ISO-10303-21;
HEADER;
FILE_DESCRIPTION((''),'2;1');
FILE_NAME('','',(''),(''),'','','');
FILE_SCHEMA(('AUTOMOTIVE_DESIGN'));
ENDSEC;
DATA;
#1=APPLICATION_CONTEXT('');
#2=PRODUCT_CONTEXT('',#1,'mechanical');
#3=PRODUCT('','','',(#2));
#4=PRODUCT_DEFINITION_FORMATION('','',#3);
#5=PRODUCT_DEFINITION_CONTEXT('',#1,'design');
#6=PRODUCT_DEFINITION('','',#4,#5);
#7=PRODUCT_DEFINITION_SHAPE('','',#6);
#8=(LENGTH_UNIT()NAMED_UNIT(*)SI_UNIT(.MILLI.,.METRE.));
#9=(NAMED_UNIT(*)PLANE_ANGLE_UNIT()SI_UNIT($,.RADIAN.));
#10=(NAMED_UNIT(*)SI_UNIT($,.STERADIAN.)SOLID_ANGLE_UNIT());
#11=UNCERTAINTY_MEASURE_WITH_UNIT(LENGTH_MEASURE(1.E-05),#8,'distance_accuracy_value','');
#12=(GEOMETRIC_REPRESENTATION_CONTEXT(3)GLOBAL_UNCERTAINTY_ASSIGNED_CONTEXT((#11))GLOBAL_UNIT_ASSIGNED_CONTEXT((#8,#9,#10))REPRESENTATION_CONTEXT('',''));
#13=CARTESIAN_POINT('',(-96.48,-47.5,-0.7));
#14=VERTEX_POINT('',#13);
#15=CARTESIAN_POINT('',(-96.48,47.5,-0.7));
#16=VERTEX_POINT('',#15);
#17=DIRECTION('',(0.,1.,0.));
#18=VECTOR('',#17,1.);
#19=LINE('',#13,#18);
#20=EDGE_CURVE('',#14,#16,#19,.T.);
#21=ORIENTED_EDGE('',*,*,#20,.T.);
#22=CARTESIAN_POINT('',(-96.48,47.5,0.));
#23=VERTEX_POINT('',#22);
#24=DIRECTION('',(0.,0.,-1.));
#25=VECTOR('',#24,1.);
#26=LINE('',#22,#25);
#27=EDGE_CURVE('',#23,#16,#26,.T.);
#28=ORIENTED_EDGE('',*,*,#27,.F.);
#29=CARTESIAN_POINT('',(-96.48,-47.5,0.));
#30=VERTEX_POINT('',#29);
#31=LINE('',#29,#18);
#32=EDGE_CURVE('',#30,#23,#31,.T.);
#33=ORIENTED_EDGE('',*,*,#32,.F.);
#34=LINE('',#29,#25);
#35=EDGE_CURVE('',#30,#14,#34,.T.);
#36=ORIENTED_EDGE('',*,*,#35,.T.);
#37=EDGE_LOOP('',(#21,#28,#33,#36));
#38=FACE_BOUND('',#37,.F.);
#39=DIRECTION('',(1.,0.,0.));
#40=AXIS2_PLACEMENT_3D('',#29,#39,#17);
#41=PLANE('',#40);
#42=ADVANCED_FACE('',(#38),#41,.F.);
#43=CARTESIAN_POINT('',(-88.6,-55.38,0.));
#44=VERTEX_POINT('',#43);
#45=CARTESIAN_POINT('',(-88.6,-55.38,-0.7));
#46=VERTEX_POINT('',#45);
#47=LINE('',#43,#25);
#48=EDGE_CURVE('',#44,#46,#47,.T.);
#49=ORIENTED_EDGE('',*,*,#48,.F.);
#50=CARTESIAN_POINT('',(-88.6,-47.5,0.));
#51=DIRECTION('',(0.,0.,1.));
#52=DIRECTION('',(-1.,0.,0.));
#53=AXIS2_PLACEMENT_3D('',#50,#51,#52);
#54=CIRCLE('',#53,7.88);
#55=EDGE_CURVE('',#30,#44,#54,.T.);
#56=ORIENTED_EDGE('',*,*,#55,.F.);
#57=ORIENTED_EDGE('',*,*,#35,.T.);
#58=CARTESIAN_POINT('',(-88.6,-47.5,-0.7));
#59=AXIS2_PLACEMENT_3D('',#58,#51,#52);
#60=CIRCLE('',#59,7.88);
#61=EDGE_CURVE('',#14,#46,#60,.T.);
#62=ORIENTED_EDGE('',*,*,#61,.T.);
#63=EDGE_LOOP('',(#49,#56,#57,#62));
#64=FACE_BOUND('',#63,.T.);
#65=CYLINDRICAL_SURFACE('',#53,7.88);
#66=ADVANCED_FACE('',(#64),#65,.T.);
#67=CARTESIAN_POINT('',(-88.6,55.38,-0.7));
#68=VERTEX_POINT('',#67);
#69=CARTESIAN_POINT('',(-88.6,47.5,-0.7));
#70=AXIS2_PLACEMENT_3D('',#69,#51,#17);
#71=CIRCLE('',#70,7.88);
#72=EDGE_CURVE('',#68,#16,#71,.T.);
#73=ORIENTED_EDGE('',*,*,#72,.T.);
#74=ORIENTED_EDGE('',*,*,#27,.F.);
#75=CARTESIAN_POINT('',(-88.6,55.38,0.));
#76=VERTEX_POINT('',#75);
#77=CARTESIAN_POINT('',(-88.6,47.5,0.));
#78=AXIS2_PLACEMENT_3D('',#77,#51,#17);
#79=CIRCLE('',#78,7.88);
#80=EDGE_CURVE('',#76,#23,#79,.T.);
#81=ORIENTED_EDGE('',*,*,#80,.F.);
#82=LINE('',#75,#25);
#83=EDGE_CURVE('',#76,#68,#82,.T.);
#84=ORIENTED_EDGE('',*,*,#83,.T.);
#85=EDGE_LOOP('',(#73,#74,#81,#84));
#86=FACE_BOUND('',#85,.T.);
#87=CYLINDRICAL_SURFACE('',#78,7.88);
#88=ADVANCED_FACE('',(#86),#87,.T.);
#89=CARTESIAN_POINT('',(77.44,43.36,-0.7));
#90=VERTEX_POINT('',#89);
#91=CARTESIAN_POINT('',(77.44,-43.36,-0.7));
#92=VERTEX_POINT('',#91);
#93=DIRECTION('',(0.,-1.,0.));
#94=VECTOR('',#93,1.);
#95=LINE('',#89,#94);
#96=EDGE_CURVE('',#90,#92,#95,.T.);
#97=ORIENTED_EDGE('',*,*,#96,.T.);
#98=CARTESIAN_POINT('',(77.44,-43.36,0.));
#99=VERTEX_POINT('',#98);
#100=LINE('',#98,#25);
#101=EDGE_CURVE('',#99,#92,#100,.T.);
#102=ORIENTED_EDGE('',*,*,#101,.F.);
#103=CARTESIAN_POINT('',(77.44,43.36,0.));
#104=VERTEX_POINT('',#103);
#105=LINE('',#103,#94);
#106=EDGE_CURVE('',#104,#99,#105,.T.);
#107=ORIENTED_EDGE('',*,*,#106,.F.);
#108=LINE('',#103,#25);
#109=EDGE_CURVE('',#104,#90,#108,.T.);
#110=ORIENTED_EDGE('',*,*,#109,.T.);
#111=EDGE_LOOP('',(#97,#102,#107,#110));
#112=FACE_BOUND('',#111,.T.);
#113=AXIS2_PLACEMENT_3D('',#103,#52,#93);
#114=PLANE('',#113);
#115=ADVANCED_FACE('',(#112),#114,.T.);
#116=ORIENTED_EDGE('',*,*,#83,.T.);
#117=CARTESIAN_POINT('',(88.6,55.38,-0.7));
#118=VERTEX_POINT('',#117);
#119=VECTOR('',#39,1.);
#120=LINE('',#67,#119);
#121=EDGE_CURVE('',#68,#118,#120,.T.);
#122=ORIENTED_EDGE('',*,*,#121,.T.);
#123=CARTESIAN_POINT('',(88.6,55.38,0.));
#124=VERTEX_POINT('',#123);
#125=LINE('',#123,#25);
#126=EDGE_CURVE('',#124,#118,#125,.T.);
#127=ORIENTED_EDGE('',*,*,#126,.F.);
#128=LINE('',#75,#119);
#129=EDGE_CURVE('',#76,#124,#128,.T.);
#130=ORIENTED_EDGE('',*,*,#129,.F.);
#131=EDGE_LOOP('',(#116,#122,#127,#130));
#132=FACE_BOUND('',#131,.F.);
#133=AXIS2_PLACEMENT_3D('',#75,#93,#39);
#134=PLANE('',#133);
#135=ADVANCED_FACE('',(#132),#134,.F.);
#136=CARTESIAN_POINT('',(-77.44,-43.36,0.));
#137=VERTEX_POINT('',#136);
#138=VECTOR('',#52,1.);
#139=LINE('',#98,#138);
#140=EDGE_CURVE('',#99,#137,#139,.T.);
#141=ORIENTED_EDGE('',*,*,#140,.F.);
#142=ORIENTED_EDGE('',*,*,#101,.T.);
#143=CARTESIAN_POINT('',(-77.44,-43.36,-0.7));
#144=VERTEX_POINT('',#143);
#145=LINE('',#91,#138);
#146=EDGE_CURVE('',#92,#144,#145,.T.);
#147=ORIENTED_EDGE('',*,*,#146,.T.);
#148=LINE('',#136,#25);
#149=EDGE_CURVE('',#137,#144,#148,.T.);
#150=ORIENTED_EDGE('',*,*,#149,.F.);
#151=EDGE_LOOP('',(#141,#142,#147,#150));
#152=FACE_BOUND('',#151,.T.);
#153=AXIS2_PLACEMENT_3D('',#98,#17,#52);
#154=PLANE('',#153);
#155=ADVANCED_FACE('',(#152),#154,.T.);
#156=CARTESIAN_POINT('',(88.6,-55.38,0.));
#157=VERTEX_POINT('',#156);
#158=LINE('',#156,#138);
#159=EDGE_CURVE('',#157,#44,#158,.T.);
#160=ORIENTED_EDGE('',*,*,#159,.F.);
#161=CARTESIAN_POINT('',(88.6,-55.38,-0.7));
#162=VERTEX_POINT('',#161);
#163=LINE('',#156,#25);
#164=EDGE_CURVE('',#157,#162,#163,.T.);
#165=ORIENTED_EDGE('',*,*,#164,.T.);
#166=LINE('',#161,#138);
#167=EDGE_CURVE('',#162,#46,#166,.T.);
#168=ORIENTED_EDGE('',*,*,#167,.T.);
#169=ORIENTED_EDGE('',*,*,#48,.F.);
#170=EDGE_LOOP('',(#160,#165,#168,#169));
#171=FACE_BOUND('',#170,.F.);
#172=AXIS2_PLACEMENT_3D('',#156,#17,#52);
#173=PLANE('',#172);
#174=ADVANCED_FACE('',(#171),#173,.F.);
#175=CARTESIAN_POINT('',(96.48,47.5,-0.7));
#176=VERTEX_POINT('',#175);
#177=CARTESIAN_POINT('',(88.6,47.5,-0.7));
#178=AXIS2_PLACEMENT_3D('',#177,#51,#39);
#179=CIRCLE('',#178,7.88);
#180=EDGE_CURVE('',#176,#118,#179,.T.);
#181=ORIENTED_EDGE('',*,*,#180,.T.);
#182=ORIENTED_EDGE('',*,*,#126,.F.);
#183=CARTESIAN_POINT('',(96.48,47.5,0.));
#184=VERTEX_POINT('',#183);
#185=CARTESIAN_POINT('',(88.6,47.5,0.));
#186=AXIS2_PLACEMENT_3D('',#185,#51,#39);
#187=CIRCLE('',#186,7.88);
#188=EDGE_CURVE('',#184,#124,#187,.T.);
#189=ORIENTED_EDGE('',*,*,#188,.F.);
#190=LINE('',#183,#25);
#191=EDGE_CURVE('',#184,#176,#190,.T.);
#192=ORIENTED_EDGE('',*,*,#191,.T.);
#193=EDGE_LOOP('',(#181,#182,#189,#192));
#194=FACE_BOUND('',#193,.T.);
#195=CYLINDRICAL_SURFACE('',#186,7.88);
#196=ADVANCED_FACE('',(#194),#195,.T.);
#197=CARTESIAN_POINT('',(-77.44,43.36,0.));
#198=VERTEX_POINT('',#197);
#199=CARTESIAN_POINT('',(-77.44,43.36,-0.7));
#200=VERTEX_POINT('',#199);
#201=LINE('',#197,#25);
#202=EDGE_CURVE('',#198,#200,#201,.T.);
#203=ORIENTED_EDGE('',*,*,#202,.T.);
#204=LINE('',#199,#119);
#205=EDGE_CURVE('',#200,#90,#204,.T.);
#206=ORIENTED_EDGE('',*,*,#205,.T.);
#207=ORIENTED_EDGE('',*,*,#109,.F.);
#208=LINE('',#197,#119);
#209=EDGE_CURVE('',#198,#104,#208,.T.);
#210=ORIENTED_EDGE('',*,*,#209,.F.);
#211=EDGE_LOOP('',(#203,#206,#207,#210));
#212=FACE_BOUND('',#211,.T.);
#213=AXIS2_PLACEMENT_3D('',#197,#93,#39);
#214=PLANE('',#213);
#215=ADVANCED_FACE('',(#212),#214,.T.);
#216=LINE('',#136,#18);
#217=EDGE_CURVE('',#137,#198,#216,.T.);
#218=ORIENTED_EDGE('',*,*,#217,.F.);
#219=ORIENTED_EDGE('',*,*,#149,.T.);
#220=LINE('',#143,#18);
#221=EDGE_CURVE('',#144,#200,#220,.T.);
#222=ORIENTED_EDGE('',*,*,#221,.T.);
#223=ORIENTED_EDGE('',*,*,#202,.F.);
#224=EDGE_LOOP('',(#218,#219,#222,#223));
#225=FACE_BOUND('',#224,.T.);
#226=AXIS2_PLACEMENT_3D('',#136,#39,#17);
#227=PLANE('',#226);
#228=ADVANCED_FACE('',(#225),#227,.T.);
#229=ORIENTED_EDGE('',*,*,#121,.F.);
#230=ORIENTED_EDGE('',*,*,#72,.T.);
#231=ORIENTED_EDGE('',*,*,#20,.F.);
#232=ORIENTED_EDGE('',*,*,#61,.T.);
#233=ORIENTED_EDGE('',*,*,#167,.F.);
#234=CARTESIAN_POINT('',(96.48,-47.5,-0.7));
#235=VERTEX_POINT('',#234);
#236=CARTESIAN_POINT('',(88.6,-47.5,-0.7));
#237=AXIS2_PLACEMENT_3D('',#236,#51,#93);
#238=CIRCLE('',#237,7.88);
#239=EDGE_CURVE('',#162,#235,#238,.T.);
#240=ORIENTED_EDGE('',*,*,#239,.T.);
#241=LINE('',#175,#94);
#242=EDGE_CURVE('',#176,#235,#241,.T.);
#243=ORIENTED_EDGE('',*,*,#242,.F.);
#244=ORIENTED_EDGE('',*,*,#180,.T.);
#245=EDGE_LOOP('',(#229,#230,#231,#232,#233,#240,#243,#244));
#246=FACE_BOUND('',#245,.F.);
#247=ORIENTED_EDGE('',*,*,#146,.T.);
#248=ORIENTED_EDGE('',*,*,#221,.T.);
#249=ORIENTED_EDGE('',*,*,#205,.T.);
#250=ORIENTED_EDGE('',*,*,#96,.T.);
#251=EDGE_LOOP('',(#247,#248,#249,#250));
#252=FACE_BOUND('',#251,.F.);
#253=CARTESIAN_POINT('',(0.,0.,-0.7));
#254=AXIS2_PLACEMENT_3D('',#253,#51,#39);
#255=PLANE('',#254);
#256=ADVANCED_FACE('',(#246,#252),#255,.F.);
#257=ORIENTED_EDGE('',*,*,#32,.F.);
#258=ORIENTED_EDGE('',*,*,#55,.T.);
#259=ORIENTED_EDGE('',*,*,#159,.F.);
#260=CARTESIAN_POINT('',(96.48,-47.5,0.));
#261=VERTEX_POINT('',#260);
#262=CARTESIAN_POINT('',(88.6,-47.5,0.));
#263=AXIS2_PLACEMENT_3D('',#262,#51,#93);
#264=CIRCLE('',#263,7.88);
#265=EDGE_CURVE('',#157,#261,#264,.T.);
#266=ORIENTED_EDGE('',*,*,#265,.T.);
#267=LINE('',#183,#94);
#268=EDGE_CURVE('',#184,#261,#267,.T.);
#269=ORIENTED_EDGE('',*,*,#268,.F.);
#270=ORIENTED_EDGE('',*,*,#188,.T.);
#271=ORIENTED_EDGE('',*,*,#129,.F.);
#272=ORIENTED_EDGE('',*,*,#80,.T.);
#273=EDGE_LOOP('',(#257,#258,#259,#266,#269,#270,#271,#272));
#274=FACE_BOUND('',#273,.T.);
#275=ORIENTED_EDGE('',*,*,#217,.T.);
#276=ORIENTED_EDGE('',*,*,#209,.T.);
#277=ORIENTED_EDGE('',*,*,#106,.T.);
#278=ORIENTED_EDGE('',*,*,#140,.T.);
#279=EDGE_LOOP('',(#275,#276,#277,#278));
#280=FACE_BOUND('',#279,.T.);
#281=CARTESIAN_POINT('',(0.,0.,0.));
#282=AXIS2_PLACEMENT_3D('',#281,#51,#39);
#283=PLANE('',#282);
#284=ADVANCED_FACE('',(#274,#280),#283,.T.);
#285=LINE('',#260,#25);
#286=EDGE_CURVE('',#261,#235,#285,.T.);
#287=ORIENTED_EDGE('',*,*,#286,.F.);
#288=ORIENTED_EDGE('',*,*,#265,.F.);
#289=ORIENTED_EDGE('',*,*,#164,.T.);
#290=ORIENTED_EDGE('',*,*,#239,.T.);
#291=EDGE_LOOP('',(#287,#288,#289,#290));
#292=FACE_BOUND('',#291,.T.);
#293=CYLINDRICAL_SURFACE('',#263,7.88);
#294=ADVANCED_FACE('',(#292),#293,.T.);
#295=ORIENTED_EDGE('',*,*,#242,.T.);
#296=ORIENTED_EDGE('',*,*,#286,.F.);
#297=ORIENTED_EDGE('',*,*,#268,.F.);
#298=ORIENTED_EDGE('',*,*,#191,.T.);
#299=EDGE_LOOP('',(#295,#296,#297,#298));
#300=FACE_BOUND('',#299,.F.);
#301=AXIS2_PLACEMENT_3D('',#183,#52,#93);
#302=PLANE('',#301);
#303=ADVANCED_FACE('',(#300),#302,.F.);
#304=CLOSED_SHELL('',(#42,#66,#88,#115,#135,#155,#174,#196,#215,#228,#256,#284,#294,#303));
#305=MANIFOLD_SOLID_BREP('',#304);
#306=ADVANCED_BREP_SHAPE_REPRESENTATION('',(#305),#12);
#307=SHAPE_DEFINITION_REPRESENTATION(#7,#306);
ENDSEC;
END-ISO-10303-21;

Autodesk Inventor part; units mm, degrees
ref_plane "YZ Plane" through (0, 0, 0) normal (1, 0, 0) x (0, 1, 0)
ref_plane "XZ Plane" through (0, 0, 0) normal (0, 1, 0) x (-1, 0, 0)
ref_plane "XY Plane" through (0, 0, 0) normal (0, 0, 1) x (1, 0, 0)
sketch "Skizze1" plane through (0, 0, 0) normal (0, 0, 1) x (1, 0, 0)
  line L0 (-88.6, 55.38) -> (88.6, 55.38)
  line L1 (96.48, 47.5) -> (96.48, -47.5)
  line L2 (88.6, -55.38) -> (-88.6, -55.38)
  line L3 (-96.48, -47.5) -> (-96.48, 47.5)
  arc A0 (-88.6, 55.38) -> (-96.48, 47.5) centre (-88.6, 47.5) ccw
  arc A1 (-96.48, -47.5) -> (-88.6, -55.38) centre (-88.6, -47.5) ccw
  arc A2 (88.6, -55.38) -> (96.48, -47.5) centre (88.6, -47.5) ccw
  arc A3 (96.48, 47.5) -> (88.6, 55.38) centre (88.6, 47.5) ccw
  point P0 (0, 0)
  point P1 (96.48, -55.38)
  point P2 (96.48, 55.38)
  point P3 (-96.48, -55.38)
  point P4 (96.48, 0)
  point P5 (0, -55.38)
  dimension "d0" = 192.96
  dimension "d1" = 110.76
  dimension "d2" = 7.88
extrude "Extrusion1" add sketch "Skizze1" against normal blind 0.7
sketch "Skizze2" plane through (0, 0, 0) normal (0, 0, 1) x (1, 0, 0)
  line L0 (-77.44, 43.36) -> (77.44, 43.36)
  line L1 (77.44, 43.36) -> (77.44, -43.36)
  line L2 (77.44, -43.36) -> (-77.44, -43.36)
  line L3 (-77.44, -43.36) -> (-77.44, 43.36)
  point P0 (0, 0)
  point P1 (77.44, 0)
  point P2 (0, 43.36)
  dimension "d5" = 154.88
  dimension "d6" = 86.72
extrude "Extrusion2" cut sketch "Skizze2" against normal up to surface (0.7 mm away)
properties part number "Display Lens"
